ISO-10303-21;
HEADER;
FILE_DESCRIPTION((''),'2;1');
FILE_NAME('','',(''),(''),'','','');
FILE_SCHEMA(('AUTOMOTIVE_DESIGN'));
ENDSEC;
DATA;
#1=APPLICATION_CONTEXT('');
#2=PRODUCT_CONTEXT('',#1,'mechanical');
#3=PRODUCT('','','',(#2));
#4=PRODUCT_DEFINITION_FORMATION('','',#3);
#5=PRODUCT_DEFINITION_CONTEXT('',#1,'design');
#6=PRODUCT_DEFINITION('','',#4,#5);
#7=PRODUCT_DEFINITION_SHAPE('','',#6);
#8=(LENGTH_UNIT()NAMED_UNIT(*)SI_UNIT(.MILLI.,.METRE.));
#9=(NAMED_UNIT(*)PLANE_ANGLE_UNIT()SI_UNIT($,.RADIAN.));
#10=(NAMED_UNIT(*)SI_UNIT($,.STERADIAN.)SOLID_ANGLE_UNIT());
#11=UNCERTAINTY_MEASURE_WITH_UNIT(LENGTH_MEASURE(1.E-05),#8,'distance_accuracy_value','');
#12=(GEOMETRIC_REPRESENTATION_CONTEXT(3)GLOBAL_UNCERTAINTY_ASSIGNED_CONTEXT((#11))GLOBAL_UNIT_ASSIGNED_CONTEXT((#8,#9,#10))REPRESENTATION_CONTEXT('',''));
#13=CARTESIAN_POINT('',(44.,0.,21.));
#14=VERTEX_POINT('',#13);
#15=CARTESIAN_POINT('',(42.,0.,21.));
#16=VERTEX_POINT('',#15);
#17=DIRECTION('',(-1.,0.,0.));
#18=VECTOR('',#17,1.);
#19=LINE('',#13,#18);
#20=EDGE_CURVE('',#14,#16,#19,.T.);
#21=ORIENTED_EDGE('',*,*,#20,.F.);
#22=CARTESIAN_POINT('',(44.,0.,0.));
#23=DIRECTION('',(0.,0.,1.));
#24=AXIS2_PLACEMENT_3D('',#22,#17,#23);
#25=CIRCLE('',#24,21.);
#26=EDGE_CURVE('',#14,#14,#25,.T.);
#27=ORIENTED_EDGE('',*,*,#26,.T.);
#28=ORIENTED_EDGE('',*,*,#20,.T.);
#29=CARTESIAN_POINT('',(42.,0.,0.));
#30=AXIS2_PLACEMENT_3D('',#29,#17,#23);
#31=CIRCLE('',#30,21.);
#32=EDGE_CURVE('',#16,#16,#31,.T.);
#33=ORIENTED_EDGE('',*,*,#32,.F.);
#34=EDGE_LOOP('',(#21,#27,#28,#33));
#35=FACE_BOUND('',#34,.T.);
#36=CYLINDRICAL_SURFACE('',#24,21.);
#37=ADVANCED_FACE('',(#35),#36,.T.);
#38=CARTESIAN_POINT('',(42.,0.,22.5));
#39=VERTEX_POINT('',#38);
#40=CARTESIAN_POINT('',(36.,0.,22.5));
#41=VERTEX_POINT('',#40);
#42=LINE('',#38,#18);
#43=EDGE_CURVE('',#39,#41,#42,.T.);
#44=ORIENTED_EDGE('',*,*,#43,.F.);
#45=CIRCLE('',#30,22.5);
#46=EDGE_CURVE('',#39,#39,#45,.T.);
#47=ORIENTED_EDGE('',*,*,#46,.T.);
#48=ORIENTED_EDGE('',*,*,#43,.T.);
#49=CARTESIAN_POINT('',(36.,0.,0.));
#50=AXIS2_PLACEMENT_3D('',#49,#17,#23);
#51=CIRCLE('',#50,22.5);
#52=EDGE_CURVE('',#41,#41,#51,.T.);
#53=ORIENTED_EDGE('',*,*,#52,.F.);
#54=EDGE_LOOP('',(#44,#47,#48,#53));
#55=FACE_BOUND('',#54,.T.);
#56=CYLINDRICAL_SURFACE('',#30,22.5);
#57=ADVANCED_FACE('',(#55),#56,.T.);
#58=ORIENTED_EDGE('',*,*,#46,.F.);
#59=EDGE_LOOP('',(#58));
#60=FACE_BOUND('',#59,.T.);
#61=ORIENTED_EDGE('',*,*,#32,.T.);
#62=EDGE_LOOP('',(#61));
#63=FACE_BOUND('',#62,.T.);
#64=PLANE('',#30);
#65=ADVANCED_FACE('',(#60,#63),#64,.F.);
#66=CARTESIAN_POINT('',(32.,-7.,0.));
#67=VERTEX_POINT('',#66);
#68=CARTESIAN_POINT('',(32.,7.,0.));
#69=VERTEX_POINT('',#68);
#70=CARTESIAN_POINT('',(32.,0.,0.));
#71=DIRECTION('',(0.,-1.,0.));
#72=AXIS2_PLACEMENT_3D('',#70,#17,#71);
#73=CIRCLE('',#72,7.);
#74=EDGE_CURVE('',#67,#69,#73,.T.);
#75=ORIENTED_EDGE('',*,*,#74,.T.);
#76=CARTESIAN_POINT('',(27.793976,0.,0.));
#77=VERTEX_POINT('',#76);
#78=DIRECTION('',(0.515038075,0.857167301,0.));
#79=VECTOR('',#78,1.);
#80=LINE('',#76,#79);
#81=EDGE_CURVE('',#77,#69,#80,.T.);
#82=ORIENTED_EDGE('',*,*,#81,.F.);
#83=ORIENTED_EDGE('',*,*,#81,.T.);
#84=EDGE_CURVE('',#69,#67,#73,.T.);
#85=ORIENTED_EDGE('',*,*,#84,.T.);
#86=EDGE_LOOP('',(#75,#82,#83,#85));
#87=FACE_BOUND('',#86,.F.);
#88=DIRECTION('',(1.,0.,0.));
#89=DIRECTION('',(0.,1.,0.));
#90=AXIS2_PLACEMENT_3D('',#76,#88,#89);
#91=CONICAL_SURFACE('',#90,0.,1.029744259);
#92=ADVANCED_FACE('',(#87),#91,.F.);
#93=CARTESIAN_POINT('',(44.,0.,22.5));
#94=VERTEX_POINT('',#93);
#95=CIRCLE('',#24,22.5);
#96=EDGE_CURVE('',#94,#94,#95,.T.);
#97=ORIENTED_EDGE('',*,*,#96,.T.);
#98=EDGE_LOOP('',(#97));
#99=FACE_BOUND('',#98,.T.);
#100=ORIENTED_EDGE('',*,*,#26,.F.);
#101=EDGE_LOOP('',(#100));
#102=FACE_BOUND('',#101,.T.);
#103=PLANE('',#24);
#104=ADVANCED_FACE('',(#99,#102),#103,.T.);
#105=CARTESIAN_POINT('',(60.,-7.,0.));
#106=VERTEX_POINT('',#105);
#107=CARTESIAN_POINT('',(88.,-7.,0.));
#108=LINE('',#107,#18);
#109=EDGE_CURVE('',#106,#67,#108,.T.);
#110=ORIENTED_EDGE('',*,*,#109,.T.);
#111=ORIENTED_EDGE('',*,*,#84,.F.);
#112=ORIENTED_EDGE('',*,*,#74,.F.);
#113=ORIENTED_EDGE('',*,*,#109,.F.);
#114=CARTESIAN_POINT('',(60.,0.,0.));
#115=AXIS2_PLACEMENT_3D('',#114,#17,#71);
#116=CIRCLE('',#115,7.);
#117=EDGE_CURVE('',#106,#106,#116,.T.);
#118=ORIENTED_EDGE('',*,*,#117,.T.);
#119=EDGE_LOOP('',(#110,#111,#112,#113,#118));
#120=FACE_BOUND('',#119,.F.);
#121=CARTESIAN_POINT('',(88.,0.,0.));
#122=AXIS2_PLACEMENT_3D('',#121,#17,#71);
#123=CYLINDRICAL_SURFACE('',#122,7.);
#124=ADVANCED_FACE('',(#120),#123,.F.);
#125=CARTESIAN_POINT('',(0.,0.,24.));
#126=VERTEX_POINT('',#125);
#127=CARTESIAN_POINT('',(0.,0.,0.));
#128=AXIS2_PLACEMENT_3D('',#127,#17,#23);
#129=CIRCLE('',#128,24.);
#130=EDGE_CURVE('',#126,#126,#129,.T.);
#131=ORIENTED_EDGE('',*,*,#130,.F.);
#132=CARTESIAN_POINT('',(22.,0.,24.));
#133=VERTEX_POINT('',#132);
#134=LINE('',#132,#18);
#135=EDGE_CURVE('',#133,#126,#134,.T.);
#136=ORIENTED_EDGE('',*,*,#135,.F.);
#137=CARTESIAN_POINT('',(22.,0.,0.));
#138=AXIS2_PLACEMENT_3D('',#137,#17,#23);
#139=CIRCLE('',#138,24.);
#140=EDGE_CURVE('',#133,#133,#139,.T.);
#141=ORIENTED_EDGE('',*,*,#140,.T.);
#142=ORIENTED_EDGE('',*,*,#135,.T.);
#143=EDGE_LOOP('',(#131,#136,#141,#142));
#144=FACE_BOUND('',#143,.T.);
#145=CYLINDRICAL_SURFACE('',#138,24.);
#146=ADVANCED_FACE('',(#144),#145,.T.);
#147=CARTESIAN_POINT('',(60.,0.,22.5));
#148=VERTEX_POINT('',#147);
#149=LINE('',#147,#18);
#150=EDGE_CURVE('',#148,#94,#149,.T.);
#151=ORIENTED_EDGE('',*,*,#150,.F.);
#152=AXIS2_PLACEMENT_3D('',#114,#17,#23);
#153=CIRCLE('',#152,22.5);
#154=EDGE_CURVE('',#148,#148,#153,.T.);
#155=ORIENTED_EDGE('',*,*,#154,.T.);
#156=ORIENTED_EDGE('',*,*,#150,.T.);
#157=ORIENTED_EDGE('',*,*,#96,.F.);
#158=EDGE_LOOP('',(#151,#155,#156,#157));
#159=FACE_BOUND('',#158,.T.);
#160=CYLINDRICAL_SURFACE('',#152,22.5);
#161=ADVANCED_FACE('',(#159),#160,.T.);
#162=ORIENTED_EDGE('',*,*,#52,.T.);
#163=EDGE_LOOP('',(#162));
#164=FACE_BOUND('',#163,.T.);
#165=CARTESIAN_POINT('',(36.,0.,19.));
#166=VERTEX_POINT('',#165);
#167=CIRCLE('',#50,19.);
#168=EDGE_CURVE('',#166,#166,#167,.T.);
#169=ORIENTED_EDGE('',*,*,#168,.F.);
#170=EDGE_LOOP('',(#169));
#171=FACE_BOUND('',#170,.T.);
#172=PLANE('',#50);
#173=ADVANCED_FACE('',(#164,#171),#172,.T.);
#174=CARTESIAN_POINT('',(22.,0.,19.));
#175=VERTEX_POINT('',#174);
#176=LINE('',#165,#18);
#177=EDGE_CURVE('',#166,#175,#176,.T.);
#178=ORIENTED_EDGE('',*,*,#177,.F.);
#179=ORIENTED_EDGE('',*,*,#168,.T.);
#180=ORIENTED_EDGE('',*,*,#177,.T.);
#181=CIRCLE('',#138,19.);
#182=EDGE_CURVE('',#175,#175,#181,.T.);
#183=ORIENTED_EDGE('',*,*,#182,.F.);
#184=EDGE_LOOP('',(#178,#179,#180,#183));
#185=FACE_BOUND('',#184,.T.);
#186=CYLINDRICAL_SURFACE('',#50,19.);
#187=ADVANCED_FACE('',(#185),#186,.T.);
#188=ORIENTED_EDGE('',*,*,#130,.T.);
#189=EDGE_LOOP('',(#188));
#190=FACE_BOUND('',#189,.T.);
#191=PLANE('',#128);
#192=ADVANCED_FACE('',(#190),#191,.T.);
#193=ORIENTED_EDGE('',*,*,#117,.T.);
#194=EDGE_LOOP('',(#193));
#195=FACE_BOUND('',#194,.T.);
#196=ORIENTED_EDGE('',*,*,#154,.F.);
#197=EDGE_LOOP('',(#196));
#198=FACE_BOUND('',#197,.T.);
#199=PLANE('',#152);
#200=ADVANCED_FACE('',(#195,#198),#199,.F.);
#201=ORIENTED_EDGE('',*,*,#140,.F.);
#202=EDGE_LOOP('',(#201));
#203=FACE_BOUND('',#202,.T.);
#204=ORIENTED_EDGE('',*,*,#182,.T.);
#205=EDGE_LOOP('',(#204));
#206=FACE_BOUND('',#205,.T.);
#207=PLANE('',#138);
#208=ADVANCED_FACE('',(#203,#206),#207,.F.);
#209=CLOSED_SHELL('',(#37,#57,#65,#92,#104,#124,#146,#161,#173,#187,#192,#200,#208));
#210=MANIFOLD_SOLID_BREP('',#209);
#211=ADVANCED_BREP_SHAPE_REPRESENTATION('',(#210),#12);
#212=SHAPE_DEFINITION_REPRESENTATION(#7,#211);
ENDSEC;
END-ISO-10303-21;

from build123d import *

# Parameters (mm, degrees)
F3_D     = 14
F3_DEPTH = 28
F3_TIP   = 4.2060243332


with BuildPart() as f1:
    # F0 (on Front) → F1 (revolve)
    with BuildSketch(Plane.XZ):
        Polygon((0, 24), (0, 0), (60, 0), (60, 22.5), (44, 22.5), (44, 21), (42, 21), (42, 22.5), (36, 22.5), (36, 19), (22, 19), (22, 24), align=None)
    revolve(axis=Axis((30, 0, 0), (-1, 0, 0)))

    # F3
    with Locations(Plane.YZ.offset(60)):
        with Locations((0, 0)):
            Hole(F3_D / 2, depth=F3_DEPTH)
            with Locations((0, 0, -(F3_DEPTH + F3_TIP / 2))):  # 118° drill point
                Cone(0, F3_D / 2, F3_TIP, mode=Mode.SUBTRACT)


solid = f1.part
